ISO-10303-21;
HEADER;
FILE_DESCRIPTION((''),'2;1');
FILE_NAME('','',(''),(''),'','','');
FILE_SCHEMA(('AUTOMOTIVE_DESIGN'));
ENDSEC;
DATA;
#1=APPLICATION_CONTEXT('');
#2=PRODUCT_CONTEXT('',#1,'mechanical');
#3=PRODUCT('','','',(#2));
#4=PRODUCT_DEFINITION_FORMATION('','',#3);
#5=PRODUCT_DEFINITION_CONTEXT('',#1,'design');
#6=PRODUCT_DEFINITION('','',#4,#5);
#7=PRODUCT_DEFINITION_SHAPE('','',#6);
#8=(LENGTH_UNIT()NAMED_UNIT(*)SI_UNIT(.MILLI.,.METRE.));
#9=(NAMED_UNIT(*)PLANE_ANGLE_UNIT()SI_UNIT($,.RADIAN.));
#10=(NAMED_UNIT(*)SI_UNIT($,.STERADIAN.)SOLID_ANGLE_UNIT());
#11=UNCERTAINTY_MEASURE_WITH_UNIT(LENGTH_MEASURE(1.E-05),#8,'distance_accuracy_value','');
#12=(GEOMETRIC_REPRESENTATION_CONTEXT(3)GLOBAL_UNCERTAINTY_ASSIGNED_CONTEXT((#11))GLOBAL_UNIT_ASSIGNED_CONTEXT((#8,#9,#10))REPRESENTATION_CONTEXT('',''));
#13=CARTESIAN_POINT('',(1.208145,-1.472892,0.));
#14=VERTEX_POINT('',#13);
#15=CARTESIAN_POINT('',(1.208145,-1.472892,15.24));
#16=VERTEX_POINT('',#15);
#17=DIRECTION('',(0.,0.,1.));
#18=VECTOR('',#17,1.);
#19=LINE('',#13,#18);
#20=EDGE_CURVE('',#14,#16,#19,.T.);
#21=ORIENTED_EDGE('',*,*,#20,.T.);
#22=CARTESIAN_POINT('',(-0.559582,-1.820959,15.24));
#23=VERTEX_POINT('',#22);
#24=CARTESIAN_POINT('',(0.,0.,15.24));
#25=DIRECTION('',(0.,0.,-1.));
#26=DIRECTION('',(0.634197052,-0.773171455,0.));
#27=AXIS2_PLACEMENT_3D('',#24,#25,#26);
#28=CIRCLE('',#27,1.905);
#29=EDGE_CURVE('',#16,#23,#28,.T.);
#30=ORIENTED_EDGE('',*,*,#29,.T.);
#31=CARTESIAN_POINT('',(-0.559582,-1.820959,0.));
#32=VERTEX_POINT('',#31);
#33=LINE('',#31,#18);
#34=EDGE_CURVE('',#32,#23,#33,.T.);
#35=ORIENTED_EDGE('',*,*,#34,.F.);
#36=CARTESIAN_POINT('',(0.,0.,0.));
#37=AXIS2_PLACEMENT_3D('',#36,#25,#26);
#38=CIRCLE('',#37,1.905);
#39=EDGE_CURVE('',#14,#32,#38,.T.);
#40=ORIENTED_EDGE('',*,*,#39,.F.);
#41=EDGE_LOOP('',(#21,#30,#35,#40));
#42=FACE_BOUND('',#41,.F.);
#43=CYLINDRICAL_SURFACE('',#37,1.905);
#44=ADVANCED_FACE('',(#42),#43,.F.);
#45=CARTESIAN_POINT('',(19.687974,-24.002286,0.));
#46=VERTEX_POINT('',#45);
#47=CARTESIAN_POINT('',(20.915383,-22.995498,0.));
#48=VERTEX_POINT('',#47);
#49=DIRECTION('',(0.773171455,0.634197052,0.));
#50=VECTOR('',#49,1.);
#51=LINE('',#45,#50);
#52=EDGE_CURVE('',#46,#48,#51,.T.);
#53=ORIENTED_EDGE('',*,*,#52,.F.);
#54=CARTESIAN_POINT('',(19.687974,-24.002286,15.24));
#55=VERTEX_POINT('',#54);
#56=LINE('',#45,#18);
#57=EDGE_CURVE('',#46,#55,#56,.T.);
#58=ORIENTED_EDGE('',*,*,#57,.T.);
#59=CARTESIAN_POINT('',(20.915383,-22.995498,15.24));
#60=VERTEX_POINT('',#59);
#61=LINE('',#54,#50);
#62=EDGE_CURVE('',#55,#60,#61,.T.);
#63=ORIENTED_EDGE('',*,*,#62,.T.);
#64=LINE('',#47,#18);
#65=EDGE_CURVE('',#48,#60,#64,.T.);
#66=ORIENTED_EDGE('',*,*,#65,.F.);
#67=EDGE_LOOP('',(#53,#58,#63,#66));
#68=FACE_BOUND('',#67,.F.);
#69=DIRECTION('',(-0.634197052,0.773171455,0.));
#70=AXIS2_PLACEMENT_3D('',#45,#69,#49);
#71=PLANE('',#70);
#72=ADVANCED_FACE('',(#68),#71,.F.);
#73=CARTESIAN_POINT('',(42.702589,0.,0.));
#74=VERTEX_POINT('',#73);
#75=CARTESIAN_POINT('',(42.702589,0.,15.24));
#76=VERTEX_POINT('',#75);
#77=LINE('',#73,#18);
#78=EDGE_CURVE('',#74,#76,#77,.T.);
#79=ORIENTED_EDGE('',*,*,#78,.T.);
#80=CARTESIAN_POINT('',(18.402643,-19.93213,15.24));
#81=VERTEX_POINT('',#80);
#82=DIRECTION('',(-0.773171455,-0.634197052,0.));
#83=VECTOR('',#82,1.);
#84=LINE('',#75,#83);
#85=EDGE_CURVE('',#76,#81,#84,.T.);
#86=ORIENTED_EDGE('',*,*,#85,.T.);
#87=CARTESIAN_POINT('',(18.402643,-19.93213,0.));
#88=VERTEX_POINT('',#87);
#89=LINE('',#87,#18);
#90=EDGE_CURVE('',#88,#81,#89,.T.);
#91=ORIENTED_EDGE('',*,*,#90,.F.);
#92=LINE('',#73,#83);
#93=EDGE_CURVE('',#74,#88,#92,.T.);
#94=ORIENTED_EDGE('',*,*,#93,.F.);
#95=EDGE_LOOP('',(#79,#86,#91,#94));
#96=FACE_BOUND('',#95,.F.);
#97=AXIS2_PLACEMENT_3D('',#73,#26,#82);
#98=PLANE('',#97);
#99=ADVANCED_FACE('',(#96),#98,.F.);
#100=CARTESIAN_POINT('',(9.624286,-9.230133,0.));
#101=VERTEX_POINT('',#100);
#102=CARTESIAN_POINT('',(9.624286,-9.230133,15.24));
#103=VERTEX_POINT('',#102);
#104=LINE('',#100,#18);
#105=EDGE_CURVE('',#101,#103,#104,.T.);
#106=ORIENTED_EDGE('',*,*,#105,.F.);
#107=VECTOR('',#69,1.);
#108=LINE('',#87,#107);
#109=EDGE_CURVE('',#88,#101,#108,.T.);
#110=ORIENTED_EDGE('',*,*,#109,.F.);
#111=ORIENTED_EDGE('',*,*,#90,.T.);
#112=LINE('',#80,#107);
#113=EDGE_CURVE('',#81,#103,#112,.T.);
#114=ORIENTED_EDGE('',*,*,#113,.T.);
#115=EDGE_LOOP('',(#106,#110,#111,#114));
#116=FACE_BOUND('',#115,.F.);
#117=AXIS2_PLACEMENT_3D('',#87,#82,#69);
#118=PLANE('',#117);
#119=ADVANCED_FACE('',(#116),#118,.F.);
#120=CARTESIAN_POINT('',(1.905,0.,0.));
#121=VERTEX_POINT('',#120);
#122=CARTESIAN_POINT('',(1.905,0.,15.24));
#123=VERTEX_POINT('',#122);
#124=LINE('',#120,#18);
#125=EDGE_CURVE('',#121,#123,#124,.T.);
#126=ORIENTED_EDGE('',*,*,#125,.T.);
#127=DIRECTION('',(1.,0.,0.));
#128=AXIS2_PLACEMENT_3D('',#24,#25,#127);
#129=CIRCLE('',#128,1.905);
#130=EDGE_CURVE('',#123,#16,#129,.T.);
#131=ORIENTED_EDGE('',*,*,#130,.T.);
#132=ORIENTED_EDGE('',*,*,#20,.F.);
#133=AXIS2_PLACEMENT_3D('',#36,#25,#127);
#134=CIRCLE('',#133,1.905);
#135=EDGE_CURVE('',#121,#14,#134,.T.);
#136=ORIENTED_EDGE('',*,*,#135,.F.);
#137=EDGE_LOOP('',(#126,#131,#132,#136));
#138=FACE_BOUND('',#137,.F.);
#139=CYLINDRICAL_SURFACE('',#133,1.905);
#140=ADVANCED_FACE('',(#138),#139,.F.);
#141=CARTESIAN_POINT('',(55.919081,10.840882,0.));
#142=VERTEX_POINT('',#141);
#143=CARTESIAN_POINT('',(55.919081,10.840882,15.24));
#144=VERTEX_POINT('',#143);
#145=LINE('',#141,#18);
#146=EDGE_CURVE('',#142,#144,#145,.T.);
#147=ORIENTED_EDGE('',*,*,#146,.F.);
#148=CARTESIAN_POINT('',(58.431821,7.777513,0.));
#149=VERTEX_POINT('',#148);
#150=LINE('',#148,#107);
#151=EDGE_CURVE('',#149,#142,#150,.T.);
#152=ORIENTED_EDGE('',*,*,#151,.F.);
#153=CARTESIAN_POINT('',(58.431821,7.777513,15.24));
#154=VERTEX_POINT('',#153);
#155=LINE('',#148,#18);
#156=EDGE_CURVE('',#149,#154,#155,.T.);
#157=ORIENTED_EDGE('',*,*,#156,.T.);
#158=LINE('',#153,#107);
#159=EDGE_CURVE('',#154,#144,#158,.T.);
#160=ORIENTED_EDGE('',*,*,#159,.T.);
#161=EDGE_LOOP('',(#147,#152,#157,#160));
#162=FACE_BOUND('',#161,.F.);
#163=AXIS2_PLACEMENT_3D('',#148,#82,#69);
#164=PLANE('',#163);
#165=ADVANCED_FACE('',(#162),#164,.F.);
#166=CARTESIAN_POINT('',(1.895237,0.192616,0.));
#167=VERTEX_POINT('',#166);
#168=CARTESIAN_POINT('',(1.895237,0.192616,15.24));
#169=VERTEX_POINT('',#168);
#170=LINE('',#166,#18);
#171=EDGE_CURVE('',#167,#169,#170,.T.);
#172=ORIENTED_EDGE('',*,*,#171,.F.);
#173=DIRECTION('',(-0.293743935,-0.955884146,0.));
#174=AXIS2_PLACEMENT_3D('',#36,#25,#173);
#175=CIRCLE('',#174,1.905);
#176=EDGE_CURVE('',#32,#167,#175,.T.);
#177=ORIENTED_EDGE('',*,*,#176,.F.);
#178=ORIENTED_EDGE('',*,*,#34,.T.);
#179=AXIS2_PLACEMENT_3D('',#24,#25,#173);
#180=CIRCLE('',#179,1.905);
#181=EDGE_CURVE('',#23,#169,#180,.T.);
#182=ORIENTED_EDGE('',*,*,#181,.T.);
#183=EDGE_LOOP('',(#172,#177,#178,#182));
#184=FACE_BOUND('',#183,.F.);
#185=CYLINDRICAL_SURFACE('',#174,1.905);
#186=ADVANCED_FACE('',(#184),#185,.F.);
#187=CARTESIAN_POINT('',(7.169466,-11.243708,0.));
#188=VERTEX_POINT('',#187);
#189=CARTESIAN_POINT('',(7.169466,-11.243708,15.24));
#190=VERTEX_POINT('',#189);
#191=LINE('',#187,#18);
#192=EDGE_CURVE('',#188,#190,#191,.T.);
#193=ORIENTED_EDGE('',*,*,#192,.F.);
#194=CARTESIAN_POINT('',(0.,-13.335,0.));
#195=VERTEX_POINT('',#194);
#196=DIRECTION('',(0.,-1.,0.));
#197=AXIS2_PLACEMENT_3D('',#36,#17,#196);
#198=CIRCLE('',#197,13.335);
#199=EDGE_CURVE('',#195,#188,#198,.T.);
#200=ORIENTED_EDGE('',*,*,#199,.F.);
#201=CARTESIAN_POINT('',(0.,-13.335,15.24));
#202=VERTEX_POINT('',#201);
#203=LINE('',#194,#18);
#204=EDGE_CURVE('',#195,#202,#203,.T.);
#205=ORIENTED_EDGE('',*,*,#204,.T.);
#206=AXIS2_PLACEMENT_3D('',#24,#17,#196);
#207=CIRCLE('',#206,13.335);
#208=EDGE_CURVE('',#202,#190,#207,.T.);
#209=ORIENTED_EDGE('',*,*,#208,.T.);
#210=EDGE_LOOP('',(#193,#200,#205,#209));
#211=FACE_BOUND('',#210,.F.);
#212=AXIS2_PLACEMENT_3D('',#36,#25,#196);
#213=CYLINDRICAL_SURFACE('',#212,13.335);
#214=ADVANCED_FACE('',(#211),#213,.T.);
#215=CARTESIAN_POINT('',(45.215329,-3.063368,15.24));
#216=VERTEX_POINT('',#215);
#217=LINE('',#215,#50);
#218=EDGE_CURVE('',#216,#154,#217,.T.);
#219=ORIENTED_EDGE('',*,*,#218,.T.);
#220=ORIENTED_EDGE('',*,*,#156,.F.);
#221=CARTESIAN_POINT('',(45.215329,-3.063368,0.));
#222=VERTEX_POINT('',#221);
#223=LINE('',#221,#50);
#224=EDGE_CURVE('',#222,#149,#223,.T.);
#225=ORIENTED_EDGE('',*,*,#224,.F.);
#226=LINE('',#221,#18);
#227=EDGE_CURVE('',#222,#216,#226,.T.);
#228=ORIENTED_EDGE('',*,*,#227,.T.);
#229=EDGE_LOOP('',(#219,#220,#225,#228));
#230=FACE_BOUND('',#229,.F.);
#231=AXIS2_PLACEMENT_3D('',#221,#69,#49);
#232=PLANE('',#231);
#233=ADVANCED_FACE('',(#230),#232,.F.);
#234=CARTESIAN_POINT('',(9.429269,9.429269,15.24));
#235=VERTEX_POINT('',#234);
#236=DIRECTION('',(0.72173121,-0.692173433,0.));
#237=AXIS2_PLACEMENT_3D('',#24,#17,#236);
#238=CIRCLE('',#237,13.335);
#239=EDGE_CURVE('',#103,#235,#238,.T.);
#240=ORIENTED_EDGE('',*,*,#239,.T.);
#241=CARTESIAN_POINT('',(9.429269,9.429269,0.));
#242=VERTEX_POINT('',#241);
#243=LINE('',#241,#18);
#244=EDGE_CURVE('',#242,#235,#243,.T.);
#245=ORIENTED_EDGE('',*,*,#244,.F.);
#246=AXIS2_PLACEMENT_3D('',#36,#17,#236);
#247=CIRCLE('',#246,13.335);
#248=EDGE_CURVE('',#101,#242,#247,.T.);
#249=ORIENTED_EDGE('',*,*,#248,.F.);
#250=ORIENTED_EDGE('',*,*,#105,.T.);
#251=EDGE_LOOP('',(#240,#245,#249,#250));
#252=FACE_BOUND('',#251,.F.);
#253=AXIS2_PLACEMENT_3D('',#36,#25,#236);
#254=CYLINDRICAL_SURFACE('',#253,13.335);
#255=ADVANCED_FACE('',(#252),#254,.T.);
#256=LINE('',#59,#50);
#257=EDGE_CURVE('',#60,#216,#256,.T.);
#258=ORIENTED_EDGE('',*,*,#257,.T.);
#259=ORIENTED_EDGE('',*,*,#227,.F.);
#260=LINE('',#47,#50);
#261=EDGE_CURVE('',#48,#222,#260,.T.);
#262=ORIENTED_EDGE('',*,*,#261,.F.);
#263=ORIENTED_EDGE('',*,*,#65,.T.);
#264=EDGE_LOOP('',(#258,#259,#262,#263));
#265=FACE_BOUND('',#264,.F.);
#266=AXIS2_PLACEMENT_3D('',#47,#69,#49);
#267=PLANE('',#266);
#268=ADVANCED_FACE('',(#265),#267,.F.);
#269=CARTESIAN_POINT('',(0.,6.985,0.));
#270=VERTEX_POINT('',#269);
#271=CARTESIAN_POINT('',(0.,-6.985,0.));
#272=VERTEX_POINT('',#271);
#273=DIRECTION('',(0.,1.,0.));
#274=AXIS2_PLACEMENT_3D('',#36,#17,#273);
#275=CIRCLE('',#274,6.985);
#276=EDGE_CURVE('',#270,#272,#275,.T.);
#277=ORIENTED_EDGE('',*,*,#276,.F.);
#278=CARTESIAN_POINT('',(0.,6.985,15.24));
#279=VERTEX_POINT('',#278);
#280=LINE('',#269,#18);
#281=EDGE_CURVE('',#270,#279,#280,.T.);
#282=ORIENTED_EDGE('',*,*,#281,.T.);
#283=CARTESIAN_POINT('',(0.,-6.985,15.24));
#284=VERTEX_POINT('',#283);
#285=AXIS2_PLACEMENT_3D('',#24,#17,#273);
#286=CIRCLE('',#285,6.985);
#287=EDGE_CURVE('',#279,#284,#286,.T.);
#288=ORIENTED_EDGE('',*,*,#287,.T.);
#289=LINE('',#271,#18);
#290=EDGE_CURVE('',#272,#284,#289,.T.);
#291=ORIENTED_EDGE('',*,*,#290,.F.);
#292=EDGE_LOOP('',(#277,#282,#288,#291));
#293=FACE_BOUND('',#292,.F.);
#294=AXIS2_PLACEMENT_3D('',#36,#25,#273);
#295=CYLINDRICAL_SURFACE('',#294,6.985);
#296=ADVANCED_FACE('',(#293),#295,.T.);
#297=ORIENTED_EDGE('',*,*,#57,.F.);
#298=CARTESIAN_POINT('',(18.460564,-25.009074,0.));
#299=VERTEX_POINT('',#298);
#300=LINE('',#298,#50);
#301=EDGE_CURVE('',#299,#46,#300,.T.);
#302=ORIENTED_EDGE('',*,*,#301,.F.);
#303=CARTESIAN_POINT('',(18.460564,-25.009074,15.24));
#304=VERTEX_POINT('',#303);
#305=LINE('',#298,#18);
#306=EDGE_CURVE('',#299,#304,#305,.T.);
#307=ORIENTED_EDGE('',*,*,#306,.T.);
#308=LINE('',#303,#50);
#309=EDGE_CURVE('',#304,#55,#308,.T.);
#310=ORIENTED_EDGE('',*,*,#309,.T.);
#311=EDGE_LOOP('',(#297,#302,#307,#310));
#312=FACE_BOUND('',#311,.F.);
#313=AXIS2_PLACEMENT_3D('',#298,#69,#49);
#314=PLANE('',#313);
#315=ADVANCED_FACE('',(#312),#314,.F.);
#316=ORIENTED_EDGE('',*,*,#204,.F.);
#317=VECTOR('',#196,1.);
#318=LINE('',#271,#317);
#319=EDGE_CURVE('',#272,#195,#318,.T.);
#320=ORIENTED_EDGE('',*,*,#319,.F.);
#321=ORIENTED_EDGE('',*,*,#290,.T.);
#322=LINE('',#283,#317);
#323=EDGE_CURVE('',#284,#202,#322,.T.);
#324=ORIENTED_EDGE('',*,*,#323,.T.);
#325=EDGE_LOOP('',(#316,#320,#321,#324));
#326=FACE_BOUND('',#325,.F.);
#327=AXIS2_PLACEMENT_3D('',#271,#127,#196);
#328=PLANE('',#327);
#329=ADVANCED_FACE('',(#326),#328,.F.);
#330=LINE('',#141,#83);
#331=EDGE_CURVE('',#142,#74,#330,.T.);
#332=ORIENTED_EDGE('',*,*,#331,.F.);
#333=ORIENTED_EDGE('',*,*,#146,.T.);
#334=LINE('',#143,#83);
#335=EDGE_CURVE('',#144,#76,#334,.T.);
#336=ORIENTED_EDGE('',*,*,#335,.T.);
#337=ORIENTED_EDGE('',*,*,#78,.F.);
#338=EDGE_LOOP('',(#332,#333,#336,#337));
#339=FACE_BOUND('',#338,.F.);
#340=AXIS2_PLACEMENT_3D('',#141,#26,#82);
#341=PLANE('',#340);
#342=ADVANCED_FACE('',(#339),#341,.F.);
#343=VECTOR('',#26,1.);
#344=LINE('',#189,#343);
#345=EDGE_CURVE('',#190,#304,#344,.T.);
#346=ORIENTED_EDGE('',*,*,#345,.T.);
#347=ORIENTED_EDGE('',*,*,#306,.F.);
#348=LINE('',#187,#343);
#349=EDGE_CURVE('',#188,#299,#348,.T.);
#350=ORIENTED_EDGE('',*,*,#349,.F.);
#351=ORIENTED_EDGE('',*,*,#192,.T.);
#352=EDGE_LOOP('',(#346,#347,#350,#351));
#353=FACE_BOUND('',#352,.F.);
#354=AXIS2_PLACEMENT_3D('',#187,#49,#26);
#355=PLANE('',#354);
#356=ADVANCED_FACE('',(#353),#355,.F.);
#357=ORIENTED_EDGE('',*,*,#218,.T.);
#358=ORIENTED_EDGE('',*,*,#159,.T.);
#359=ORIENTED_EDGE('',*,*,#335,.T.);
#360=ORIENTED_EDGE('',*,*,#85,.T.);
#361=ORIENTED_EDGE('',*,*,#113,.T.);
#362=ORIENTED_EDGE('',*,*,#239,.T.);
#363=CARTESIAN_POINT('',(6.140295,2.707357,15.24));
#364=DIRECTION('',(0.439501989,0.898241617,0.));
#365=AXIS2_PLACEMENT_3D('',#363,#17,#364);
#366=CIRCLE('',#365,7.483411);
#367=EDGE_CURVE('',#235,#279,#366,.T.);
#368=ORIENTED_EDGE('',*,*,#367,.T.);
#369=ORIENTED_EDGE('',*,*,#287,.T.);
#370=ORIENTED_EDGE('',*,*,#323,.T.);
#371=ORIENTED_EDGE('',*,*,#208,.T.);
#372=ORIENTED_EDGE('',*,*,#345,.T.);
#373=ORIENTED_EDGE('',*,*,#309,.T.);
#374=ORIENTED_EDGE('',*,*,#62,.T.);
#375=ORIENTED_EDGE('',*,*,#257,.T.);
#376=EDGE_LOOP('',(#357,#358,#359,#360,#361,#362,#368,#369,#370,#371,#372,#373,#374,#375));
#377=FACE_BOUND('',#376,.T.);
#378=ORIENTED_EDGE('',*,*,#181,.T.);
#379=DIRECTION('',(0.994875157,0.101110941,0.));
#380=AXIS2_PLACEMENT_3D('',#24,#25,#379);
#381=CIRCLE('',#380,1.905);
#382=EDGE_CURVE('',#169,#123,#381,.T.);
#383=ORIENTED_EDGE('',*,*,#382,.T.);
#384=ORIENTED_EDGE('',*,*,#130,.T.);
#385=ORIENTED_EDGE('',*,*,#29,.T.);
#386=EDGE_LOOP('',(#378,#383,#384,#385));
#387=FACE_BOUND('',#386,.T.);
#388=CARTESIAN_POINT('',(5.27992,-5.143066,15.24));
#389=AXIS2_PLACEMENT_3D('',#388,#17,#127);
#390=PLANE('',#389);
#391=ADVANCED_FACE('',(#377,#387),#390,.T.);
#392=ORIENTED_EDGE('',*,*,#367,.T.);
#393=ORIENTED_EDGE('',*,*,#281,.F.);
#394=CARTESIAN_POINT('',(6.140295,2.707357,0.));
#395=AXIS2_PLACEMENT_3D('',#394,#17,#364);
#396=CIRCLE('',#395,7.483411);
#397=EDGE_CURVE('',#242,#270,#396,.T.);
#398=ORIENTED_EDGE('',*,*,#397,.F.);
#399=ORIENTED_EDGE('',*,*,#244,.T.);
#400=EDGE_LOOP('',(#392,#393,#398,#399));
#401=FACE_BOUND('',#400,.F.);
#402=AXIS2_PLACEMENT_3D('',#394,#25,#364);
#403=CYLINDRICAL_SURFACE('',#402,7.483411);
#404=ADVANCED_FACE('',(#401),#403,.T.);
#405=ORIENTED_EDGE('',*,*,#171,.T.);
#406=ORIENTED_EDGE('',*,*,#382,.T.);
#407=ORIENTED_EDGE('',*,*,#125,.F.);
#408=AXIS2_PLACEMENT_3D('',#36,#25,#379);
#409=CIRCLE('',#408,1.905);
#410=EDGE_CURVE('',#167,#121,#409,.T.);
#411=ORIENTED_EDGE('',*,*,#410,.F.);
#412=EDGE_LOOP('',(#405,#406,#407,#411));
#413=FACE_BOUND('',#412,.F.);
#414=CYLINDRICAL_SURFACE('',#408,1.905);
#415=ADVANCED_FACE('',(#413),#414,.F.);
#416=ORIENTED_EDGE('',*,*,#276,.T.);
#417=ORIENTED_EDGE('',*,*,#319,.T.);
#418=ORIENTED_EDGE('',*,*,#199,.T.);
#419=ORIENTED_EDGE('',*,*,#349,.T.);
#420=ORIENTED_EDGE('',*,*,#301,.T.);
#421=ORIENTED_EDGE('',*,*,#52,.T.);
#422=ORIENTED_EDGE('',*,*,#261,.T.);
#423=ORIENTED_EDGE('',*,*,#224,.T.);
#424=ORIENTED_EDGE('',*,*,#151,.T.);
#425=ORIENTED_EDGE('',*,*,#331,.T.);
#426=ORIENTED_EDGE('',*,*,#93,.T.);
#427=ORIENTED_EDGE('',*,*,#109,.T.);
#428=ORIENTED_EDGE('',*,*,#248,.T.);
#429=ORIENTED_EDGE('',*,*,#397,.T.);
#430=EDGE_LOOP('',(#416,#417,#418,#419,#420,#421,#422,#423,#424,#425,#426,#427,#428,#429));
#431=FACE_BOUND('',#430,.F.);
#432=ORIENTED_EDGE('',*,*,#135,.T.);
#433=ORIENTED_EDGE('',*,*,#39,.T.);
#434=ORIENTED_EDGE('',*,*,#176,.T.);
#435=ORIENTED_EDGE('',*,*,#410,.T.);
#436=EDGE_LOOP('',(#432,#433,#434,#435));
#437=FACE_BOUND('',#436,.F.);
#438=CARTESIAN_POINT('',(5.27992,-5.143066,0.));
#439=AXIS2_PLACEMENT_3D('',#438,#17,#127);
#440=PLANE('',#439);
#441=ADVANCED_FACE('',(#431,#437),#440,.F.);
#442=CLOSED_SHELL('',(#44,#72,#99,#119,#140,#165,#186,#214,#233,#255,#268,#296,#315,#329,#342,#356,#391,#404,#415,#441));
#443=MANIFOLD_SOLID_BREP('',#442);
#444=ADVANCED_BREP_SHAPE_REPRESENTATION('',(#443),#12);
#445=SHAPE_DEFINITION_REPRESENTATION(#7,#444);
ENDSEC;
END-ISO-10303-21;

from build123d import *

# Parameters (mm, degrees)
F1_DEPTH = 15.24


with BuildPart() as f1:
    # F0 (on Top) → F1 (new body)
    with BuildSketch(Plane.XY):
        with BuildLine():
            ThreePointArc((1.8952371737, 0.1926163425), (1.9025577279, 0.0964318), (1.905, 0))
            ThreePointArc((1.905, 0), (1.7219962191, -0.8147110048), (1.2081453844, -1.472891622))
            Line((1.2081453844, -1.472891622), (8.4570176909, -10.3102413539))
            ThreePointArc((8.4570176909, -10.3102413539), (9.0567677225, -9.7876035586), (9.624285682, -9.2301327244))
            Line((9.624285682, -9.2301327244), (1.8952371737, 0.1926163425))
        make_face()
        with BuildLine():
            ThreePointArc((-0.5595821963, -1.8209592982), (-1.2081453844, 1.472891622), (1.8952371737, 0.1926163425))
            Line((1.8952371737, 0.1926163425), (9.624285682, -9.2301327244))
            ThreePointArc((9.624285682, -9.2301327244), (13.3342717577, 0.1393617253), (9.4292689271, 9.4292689271))
            ThreePointArc((9.4292689271, 9.4292689271), (4.2624981947, 9.9513428949), (0, 6.985))
            ThreePointArc((0, 6.985), (-6.985, 0), (0, -6.985))
            Line((0, -6.985), (0, -13.335))
            ThreePointArc((0, -13.335), (3.7341246599, -12.8015053031), (7.1694663121, -11.2437083651))
            Line((7.1694663121, -11.2437083651), (-0.5595821963, -1.8209592982))
        make_face()
        with BuildLine():
            Line((8.4570176909, -10.3102413539), (1.2081453844, -1.472891622))
            ThreePointArc((1.2081453844, -1.472891622), (0.3680303371, -1.8691117331), (-0.5595821963, -1.8209592982))
            Line((-0.5595821963, -1.8209592982), (7.1694663121, -11.2437083651))
            ThreePointArc((7.1694663121, -11.2437083651), (7.8271700339, -10.7961860979), (8.4570176909, -10.3102413539))
        make_face()
        with BuildLine():
            Line((18.4026428531, -19.9321300989), (9.624285682, -9.2301327244))
            ThreePointArc((9.624285682, -9.2301327244), (9.0567677225, -9.7876035586), (8.4570176909, -10.3102413539))
            Line((8.4570176909, -10.3102413539), (19.6879736416, -24.0022863179))
            Line((19.6879736416, -24.0022863179), (20.9153833266, -22.9954984975))
            Line((20.9153833266, -22.9954984975), (18.4026428531, -19.9321300989))
        make_face()
        with BuildLine():
            Line((19.6879736416, -24.0022863179), (8.4570176909, -10.3102413539))
            ThreePointArc((8.4570176909, -10.3102413539), (7.8271700339, -10.7961860979), (7.1694663121, -11.2437083651))
            Line((7.1694663121, -11.2437083651), (18.4605639566, -25.0090741382))
            Line((18.4605639566, -25.0090741382), (19.6879736416, -24.0022863179))
        make_face()
        Polygon((42.7025887118, 0), (18.4026428531, -19.9321300989), (20.9153833266, -22.9954984975), (45.2153291853, -3.0633683986), align=None)
        Polygon((55.9190808908, 10.8408818313), (42.7025887118, 0), (45.2153291853, -3.0633683986), (58.4318213643, 7.7775134327), align=None)
    extrude(amount=F1_DEPTH)


solid = f1.part
